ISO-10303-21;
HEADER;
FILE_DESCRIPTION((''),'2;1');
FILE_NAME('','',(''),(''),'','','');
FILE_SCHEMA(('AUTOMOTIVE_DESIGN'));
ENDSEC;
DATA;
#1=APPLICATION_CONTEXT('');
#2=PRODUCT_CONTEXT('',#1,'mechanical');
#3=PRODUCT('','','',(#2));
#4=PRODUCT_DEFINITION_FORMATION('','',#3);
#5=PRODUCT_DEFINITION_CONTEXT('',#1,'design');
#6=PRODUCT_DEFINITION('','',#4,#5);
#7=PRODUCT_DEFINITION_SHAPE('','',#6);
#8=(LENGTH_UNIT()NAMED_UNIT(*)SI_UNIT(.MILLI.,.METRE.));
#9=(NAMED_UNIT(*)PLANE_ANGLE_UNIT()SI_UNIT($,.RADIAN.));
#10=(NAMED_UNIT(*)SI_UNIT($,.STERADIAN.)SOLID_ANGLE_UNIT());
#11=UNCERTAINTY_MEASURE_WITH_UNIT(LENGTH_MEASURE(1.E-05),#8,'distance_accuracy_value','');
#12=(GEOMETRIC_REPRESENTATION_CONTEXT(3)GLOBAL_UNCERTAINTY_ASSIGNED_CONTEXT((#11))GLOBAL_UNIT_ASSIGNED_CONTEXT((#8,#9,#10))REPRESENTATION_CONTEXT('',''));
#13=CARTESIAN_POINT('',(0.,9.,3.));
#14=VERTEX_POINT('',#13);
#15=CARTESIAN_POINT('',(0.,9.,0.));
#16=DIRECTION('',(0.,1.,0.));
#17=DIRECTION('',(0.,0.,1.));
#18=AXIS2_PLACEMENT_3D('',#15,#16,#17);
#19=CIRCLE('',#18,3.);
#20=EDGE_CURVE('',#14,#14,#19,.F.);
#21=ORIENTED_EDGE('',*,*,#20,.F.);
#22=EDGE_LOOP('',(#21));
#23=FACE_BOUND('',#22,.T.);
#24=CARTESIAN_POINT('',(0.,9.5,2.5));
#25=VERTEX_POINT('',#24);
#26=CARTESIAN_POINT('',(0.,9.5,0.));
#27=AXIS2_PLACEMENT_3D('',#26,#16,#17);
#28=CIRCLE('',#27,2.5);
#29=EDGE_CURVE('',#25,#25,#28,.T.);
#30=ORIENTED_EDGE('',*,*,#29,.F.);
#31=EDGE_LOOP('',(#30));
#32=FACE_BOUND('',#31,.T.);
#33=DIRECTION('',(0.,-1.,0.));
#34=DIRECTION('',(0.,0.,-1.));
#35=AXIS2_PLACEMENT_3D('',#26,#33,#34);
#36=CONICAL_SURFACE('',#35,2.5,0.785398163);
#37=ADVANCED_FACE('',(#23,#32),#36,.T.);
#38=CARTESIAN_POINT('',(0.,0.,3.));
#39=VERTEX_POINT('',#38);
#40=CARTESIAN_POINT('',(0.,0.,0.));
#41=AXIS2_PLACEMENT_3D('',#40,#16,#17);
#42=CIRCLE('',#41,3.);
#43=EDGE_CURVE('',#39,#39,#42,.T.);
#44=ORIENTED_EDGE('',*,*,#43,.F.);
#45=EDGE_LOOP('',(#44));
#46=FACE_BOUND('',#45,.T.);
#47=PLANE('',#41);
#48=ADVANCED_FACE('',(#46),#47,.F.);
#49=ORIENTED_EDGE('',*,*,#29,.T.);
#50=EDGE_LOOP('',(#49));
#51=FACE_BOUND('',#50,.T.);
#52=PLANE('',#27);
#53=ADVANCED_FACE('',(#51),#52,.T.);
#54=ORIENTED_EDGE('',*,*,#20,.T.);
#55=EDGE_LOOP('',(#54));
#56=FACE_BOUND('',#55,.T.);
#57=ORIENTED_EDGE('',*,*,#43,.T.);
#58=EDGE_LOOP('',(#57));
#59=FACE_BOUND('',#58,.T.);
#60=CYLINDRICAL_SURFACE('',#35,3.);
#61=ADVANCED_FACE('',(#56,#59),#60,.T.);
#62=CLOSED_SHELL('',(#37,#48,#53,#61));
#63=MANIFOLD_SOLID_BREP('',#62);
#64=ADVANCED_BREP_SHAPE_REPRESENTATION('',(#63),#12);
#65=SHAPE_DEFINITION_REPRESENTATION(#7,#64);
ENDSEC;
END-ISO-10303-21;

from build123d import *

# Parameters (mm, degrees)
SKIZZE1_R                       = 3
AUFSATZ_LINEAR_AUSTRAGEN1_DEPTH = 9.5
FASE1_SIZE                      = 0.5


with BuildPart() as part:
    # Skizze1 → Aufsatz-Linear austragen1 (new body)
    with BuildSketch(Plane(origin=(0, 0, 0), x_dir=(1, 0, 0), z_dir=(0, 1, 0))):
        with Locations(Location((0, 0, 0), (0, 0, 270))):
            Circle(SKIZZE1_R)
    extrude(amount=AUFSATZ_LINEAR_AUSTRAGEN1_DEPTH)

    # Fase1
    fase1_edges = [part.edges().sort_by_distance(p)[0] for p in [
        (0, 9.5, -3),
    ]]
    chamfer(fase1_edges, length=FASE1_SIZE)


solid = part.part
